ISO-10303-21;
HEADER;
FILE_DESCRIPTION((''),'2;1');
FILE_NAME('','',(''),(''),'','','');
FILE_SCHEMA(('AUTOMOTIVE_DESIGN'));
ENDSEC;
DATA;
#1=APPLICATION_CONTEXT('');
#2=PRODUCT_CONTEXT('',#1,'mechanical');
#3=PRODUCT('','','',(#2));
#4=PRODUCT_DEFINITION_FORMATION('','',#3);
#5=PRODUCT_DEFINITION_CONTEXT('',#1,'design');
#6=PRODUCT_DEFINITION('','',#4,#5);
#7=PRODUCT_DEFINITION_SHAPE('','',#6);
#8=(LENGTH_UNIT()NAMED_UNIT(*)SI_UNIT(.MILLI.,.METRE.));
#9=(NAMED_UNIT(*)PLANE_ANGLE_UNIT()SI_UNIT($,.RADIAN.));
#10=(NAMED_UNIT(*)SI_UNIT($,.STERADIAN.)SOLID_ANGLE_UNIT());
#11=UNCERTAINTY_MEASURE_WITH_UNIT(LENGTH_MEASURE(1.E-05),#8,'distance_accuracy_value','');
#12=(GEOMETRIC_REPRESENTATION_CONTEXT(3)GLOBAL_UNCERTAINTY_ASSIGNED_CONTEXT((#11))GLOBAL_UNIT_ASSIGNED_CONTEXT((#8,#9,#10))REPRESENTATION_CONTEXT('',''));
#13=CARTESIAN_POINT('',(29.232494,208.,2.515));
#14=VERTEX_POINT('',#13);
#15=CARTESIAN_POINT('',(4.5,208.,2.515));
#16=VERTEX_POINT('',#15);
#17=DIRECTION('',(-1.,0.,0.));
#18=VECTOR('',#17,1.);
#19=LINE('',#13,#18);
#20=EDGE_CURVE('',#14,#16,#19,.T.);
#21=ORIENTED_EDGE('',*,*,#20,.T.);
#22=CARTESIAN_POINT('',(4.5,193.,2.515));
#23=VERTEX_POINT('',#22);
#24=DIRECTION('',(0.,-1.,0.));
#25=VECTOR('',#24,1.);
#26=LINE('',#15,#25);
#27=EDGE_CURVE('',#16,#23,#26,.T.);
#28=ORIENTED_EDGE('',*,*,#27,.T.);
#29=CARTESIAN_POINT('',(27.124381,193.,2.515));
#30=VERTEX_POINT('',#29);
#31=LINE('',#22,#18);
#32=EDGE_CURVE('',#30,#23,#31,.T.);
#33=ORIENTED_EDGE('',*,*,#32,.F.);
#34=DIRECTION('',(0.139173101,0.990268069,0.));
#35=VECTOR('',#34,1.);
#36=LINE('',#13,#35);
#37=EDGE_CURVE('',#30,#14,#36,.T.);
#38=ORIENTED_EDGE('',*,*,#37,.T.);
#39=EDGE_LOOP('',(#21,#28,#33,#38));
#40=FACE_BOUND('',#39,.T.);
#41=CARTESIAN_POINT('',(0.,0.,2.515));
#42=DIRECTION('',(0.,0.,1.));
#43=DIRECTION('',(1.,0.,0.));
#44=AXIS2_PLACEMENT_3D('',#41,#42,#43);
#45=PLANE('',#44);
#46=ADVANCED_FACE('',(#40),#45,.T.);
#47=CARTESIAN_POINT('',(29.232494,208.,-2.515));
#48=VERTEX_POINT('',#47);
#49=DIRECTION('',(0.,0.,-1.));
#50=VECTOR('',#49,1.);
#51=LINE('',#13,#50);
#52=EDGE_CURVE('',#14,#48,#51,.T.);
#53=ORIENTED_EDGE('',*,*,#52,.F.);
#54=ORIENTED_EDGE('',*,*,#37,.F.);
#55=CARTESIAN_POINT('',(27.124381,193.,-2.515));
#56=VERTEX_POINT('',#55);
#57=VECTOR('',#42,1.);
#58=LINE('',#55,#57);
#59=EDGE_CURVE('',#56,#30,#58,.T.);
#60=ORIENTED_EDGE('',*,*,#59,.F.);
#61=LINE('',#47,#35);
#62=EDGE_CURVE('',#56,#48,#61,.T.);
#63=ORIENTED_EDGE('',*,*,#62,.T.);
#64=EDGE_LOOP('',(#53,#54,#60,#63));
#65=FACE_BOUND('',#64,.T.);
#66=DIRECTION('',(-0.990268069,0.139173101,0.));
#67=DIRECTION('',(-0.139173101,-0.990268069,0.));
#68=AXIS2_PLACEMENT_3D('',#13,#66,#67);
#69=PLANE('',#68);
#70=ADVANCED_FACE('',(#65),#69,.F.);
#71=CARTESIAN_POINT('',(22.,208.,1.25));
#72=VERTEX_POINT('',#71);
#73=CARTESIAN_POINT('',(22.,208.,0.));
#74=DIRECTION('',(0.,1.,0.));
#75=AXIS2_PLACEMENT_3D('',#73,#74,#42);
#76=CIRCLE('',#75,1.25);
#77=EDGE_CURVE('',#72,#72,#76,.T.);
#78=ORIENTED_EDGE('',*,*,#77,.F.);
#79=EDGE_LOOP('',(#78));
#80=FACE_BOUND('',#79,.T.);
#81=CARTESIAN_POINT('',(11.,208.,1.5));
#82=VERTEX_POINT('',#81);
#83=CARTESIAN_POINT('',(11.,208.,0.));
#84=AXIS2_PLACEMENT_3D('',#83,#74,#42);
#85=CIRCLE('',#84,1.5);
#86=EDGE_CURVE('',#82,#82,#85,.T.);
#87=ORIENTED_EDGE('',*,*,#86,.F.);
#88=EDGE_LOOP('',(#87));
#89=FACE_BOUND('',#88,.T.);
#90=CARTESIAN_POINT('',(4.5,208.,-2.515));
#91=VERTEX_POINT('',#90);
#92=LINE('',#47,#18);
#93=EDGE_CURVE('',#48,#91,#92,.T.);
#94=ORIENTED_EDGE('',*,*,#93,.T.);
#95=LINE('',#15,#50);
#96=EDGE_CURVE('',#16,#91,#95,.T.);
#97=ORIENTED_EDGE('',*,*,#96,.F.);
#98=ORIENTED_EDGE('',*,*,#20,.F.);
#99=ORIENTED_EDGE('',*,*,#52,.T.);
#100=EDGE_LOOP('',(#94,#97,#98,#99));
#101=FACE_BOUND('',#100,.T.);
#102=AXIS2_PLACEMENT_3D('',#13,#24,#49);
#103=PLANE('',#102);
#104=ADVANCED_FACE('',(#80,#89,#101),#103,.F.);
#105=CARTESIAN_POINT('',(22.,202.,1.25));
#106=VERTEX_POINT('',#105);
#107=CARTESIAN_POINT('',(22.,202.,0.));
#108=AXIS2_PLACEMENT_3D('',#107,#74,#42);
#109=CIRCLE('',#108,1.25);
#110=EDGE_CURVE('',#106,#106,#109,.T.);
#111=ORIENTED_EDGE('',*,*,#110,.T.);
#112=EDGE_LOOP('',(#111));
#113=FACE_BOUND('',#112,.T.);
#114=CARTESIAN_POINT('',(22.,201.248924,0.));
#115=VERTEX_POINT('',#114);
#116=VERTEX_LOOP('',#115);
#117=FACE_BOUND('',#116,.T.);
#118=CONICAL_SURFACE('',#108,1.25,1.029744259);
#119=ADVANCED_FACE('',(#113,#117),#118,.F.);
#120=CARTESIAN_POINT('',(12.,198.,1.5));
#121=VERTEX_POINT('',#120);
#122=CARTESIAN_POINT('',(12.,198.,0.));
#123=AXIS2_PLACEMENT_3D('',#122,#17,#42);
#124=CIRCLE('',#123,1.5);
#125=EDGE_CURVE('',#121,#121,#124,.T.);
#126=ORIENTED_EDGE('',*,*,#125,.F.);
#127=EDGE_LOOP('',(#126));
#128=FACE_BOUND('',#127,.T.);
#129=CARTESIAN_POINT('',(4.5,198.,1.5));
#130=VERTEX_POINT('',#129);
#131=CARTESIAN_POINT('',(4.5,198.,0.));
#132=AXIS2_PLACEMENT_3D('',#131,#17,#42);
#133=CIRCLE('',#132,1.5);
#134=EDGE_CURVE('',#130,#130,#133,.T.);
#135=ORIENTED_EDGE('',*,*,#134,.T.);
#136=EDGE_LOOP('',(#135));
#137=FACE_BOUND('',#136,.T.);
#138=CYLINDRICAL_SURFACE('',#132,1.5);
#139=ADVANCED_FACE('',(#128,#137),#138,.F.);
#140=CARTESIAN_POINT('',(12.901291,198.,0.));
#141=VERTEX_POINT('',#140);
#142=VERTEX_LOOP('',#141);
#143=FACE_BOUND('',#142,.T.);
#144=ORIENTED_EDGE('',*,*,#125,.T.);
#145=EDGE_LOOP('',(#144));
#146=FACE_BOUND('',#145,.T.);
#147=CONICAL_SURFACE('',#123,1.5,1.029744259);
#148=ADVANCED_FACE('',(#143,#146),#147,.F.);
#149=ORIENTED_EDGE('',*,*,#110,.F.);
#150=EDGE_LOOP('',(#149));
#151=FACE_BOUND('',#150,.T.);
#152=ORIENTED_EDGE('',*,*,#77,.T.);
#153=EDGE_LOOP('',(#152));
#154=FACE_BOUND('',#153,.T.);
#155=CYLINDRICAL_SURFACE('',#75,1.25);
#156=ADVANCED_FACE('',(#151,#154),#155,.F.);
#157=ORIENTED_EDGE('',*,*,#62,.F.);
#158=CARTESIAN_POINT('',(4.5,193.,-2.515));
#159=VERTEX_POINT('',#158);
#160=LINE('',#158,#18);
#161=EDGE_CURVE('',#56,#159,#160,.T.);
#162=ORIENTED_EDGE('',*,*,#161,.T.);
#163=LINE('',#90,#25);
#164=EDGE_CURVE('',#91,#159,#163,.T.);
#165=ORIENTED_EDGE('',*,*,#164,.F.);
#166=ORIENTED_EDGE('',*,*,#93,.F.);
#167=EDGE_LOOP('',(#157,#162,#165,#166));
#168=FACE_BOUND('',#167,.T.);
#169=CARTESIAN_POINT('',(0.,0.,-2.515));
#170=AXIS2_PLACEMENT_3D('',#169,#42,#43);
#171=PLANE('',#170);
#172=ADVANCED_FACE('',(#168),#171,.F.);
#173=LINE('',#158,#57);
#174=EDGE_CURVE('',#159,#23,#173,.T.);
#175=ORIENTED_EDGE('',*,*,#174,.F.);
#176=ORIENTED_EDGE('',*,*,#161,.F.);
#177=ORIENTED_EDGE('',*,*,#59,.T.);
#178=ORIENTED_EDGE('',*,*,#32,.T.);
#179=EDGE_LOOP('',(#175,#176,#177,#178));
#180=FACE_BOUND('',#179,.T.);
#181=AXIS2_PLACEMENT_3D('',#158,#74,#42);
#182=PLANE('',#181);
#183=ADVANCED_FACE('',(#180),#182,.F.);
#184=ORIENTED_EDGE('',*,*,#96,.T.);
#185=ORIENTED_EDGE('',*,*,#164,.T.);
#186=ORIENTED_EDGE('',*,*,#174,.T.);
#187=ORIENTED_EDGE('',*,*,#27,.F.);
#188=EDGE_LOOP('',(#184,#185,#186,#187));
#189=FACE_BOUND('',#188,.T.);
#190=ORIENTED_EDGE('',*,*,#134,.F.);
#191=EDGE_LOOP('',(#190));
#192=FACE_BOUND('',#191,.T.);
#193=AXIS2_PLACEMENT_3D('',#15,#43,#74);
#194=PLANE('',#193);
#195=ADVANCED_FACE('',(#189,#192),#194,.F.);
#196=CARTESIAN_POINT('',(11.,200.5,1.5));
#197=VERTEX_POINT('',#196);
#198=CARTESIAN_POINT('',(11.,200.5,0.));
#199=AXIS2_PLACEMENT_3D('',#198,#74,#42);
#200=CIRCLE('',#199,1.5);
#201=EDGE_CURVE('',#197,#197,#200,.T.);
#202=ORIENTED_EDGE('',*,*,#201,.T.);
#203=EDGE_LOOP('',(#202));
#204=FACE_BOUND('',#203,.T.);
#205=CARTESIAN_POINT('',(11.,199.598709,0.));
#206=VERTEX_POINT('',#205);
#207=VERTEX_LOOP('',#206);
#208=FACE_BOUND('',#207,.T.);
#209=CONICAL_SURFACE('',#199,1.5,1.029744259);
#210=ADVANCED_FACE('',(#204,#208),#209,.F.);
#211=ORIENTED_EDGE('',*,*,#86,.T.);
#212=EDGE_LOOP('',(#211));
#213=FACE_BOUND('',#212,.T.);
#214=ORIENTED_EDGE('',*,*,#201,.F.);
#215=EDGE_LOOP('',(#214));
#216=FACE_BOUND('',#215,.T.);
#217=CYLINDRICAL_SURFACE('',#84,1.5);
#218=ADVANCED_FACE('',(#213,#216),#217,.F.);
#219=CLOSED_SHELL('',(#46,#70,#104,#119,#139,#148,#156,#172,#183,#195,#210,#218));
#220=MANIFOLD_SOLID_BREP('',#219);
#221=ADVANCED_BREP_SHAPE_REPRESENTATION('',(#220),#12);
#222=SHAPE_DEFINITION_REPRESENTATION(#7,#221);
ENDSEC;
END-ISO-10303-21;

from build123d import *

# Parameters (mm, degrees)
EXTRUDE1_DEPTH                 = 2.515
M3X0_5_TAPPED_HOLE2_AT_2_COUNT = 2
M3X0_5_TAPPED_HOLE2_AT_2_PITCH = 37
M3X0_5_TAPPED_HOLE2_AT_3_COUNT = 2
M3X0_5_TAPPED_HOLE2_AT_3_PITCH = 74
M3X0_5_TAPPED_HOLE2_AT_4_COUNT = 2
M3X0_5_TAPPED_HOLE2_AT_4_PITCH = 111
M3X0_5_TAPPED_HOLE2_AT_5_COUNT = 2
M3X0_5_TAPPED_HOLE2_AT_5_PITCH = 148
CUT_EXTRUDE1_DEPTH             = 6.03
M3X0_5_TAPPED_HOLE1_D          = 3
M3X0_5_TAPPED_HOLE1_DEPTH      = 7.5
M3X0_5_TAPPED_HOLE1_TIP        = 0.901290929
F_2_5_2_5_DIAMETER_HOLE1_D     = 2.5
F_2_5_2_5_DIAMETER_HOLE1_DEPTH = 6
F_2_5_2_5_DIAMETER_HOLE1_TIP   = 0.751075774


with BuildPart() as part:
    # Sketch1 → Extrude1 (new body, symmetric)
    with BuildSketch(Plane.XY):
        with BuildLine():
            Line((29.232493618, 208), (4.5, 208))
            Line((4.5, 208), (4.5, 37.873672337))
            ThreePointArc((4.5, 37.873672337), (38.14007153, 0), (4.5, -37.873672337))
            Line((4.5, -37.873672337), (4.5, -208))
            Line((4.5, -208), (29.232493618, -208))
            Line((29.232493618, -208), (12, -85.384436669))
            Line((12, -85.384436669), (12, -60))
            ThreePointArc((12, -60), (14.850141486, -49.710084891), (22.588235294, -42.352941176))
            ThreePointArc((22.588235294, -42.352941176), (48, 0), (22.588235294, 42.352941176))
            ThreePointArc((22.588235294, 42.352941176), (14.850141486, 49.710084891), (12, 60))
            Line((12, 60), (12, 85.384436669))
            Line((12, 85.384436669), (29.232493618, 208))
        make_face()
    extrude(amount=EXTRUDE1_DEPTH, both=True)

    # Sketch32 → M3x0.5 Tapped Hole2 (revolve, cut)
    with BuildSketch(Plane(origin=(4.5, 198, 0), x_dir=(0, 0, 1), z_dir=(0, 1, 0))):
        Polygon((0, 0), (0, 8.401290929), (1.5, 7.5), (1.5, 0), align=None)
    m3x0_5_tapped_hole2 = revolve(axis=Axis((-1.85, 198, 0), (1, 0, 0)), mode=Mode.SUBTRACT)

    # M3x0.5 Tapped Hole2 at 2: M3x0.5 Tapped Hole2 ×2
    with Locations(*[(0, -i * M3X0_5_TAPPED_HOLE2_AT_2_PITCH, 0) for i in range(1, M3X0_5_TAPPED_HOLE2_AT_2_COUNT)]):
        add(m3x0_5_tapped_hole2, mode=Mode.SUBTRACT)

    # M3x0.5 Tapped Hole2 at 3: M3x0.5 Tapped Hole2 ×2
    with Locations(*[(0, -i * M3X0_5_TAPPED_HOLE2_AT_3_PITCH, 0) for i in range(1, M3X0_5_TAPPED_HOLE2_AT_3_COUNT)]):
        add(m3x0_5_tapped_hole2, mode=Mode.SUBTRACT)

    # M3x0.5 Tapped Hole2 at 4: M3x0.5 Tapped Hole2 ×2
    with Locations(*[(0, -i * M3X0_5_TAPPED_HOLE2_AT_4_PITCH, 0) for i in range(1, M3X0_5_TAPPED_HOLE2_AT_4_COUNT)]):
        add(m3x0_5_tapped_hole2, mode=Mode.SUBTRACT)

    # M3x0.5 Tapped Hole2 at 5: M3x0.5 Tapped Hole2 ×2
    with Locations(*[(0, -i * M3X0_5_TAPPED_HOLE2_AT_5_PITCH, 0) for i in range(1, M3X0_5_TAPPED_HOLE2_AT_5_COUNT)]):
        add(m3x0_5_tapped_hole2, mode=Mode.SUBTRACT)

    # Mirror2: M3x0.5 Tapped Hole2 across plane
    add(m3x0_5_tapped_hole2.mirror(Plane.ZX), mode=Mode.SUBTRACT)

    # Mirror2 copy 1 sketch → Mirror2 copy 1 (revolve, cut)
    with BuildSketch(Plane(origin=(4.5, -161, 0), x_dir=(0, 0, 1), z_dir=(0, -1, 0))):
        Polygon((0, 0), (0, -8.401290929), (1.5, -7.5), (1.5, 0), align=None)
    revolve(axis=Axis((-1.85, -161, 0), (-1, 0, 0)), mode=Mode.SUBTRACT)

    # Mirror2 copy 2 sketch → Mirror2 copy 2 (revolve, cut)
    with BuildSketch(Plane(origin=(4.5, -124, 0), x_dir=(0, 0, 1), z_dir=(0, -1, 0))):
        Polygon((0, 0), (0, -8.401290929), (1.5, -7.5), (1.5, 0), align=None)
    revolve(axis=Axis((-1.85, -124, 0), (-1, 0, 0)), mode=Mode.SUBTRACT)

    # Mirror2 copy 3 sketch → Mirror2 copy 3 (revolve, cut)
    with BuildSketch(Plane(origin=(4.5, -87, 0), x_dir=(0, 0, 1), z_dir=(0, -1, 0))):
        Polygon((0, 0), (0, -8.401290929), (1.5, -7.5), (1.5, 0), align=None)
    revolve(axis=Axis((-1.85, -87, 0), (-1, 0, 0)), mode=Mode.SUBTRACT)

    # Mirror2 copy 4 sketch → Mirror2 copy 4 (revolve, cut)
    with BuildSketch(Plane(origin=(4.5, -50, 0), x_dir=(0, 0, 1), z_dir=(0, -1, 0))):
        Polygon((0, 0), (0, -8.401290929), (1.5, -7.5), (1.5, 0), align=None)
    revolve(axis=Axis((-1.85, -50, 0), (-1, 0, 0)), mode=Mode.SUBTRACT)

    # Sketch36 → Cut-Extrude1 (cut, through all)
    with BuildSketch(Plane.XY.offset(2.515)):
        with BuildLine():
            Line((4.5, 193), (27.124381098, 193))
            Line((27.124381098, 193), (12, 85.384436669))
            Line((12, 85.384436669), (12, 60))
            ThreePointArc((12, 60), (14.850141486, 49.710084891), (22.588235294, 42.352941176))
            ThreePointArc((22.588235294, 42.352941176), (48, 0), (22.588235294, -42.352941176))
            ThreePointArc((22.588235294, -42.352941176), (14.850141486, -49.710084891), (12, -60))
            Line((12, -60), (12, -85.384436669))
            Line((12, -85.384436669), (29.232493618, -208))
            Line((29.232493618, -208), (4.5, -208))
            Line((4.5, -208), (4.5, -37.873672337))
            ThreePointArc((4.5, -37.873672337), (38.14007153, 0), (4.5, 37.873672337))
            Line((4.5, 37.873672337), (4.5, 193))
        make_face()
    extrude(amount=-CUT_EXTRUDE1_DEPTH, mode=Mode.SUBTRACT)

    # M3x0.5 Tapped Hole1
    with Locations(Plane(origin=(0, 208, 0), x_dir=(-1, 0, 0), z_dir=(0, 1, 0))):
        with Locations((-11, 0)):
            Hole(M3X0_5_TAPPED_HOLE1_D / 2, depth=M3X0_5_TAPPED_HOLE1_DEPTH)
            with Locations((0, 0, -(M3X0_5_TAPPED_HOLE1_DEPTH + M3X0_5_TAPPED_HOLE1_TIP / 2))):  # 118° drill point
                Cone(0, M3X0_5_TAPPED_HOLE1_D / 2, M3X0_5_TAPPED_HOLE1_TIP, mode=Mode.SUBTRACT)

    # 2.5 _2.5_ Diameter Hole1
    with Locations(Plane(origin=(0, 208, 0), x_dir=(-1, 0, 0), z_dir=(0, 1, 0))):
        with Locations((-22, 0)):
            Hole(F_2_5_2_5_DIAMETER_HOLE1_D / 2, depth=F_2_5_2_5_DIAMETER_HOLE1_DEPTH)
            with Locations((0, 0, -(F_2_5_2_5_DIAMETER_HOLE1_DEPTH + F_2_5_2_5_DIAMETER_HOLE1_TIP / 2))):  # 118° drill point
                Cone(0, F_2_5_2_5_DIAMETER_HOLE1_D / 2, F_2_5_2_5_DIAMETER_HOLE1_TIP, mode=Mode.SUBTRACT)


solid = part.part
